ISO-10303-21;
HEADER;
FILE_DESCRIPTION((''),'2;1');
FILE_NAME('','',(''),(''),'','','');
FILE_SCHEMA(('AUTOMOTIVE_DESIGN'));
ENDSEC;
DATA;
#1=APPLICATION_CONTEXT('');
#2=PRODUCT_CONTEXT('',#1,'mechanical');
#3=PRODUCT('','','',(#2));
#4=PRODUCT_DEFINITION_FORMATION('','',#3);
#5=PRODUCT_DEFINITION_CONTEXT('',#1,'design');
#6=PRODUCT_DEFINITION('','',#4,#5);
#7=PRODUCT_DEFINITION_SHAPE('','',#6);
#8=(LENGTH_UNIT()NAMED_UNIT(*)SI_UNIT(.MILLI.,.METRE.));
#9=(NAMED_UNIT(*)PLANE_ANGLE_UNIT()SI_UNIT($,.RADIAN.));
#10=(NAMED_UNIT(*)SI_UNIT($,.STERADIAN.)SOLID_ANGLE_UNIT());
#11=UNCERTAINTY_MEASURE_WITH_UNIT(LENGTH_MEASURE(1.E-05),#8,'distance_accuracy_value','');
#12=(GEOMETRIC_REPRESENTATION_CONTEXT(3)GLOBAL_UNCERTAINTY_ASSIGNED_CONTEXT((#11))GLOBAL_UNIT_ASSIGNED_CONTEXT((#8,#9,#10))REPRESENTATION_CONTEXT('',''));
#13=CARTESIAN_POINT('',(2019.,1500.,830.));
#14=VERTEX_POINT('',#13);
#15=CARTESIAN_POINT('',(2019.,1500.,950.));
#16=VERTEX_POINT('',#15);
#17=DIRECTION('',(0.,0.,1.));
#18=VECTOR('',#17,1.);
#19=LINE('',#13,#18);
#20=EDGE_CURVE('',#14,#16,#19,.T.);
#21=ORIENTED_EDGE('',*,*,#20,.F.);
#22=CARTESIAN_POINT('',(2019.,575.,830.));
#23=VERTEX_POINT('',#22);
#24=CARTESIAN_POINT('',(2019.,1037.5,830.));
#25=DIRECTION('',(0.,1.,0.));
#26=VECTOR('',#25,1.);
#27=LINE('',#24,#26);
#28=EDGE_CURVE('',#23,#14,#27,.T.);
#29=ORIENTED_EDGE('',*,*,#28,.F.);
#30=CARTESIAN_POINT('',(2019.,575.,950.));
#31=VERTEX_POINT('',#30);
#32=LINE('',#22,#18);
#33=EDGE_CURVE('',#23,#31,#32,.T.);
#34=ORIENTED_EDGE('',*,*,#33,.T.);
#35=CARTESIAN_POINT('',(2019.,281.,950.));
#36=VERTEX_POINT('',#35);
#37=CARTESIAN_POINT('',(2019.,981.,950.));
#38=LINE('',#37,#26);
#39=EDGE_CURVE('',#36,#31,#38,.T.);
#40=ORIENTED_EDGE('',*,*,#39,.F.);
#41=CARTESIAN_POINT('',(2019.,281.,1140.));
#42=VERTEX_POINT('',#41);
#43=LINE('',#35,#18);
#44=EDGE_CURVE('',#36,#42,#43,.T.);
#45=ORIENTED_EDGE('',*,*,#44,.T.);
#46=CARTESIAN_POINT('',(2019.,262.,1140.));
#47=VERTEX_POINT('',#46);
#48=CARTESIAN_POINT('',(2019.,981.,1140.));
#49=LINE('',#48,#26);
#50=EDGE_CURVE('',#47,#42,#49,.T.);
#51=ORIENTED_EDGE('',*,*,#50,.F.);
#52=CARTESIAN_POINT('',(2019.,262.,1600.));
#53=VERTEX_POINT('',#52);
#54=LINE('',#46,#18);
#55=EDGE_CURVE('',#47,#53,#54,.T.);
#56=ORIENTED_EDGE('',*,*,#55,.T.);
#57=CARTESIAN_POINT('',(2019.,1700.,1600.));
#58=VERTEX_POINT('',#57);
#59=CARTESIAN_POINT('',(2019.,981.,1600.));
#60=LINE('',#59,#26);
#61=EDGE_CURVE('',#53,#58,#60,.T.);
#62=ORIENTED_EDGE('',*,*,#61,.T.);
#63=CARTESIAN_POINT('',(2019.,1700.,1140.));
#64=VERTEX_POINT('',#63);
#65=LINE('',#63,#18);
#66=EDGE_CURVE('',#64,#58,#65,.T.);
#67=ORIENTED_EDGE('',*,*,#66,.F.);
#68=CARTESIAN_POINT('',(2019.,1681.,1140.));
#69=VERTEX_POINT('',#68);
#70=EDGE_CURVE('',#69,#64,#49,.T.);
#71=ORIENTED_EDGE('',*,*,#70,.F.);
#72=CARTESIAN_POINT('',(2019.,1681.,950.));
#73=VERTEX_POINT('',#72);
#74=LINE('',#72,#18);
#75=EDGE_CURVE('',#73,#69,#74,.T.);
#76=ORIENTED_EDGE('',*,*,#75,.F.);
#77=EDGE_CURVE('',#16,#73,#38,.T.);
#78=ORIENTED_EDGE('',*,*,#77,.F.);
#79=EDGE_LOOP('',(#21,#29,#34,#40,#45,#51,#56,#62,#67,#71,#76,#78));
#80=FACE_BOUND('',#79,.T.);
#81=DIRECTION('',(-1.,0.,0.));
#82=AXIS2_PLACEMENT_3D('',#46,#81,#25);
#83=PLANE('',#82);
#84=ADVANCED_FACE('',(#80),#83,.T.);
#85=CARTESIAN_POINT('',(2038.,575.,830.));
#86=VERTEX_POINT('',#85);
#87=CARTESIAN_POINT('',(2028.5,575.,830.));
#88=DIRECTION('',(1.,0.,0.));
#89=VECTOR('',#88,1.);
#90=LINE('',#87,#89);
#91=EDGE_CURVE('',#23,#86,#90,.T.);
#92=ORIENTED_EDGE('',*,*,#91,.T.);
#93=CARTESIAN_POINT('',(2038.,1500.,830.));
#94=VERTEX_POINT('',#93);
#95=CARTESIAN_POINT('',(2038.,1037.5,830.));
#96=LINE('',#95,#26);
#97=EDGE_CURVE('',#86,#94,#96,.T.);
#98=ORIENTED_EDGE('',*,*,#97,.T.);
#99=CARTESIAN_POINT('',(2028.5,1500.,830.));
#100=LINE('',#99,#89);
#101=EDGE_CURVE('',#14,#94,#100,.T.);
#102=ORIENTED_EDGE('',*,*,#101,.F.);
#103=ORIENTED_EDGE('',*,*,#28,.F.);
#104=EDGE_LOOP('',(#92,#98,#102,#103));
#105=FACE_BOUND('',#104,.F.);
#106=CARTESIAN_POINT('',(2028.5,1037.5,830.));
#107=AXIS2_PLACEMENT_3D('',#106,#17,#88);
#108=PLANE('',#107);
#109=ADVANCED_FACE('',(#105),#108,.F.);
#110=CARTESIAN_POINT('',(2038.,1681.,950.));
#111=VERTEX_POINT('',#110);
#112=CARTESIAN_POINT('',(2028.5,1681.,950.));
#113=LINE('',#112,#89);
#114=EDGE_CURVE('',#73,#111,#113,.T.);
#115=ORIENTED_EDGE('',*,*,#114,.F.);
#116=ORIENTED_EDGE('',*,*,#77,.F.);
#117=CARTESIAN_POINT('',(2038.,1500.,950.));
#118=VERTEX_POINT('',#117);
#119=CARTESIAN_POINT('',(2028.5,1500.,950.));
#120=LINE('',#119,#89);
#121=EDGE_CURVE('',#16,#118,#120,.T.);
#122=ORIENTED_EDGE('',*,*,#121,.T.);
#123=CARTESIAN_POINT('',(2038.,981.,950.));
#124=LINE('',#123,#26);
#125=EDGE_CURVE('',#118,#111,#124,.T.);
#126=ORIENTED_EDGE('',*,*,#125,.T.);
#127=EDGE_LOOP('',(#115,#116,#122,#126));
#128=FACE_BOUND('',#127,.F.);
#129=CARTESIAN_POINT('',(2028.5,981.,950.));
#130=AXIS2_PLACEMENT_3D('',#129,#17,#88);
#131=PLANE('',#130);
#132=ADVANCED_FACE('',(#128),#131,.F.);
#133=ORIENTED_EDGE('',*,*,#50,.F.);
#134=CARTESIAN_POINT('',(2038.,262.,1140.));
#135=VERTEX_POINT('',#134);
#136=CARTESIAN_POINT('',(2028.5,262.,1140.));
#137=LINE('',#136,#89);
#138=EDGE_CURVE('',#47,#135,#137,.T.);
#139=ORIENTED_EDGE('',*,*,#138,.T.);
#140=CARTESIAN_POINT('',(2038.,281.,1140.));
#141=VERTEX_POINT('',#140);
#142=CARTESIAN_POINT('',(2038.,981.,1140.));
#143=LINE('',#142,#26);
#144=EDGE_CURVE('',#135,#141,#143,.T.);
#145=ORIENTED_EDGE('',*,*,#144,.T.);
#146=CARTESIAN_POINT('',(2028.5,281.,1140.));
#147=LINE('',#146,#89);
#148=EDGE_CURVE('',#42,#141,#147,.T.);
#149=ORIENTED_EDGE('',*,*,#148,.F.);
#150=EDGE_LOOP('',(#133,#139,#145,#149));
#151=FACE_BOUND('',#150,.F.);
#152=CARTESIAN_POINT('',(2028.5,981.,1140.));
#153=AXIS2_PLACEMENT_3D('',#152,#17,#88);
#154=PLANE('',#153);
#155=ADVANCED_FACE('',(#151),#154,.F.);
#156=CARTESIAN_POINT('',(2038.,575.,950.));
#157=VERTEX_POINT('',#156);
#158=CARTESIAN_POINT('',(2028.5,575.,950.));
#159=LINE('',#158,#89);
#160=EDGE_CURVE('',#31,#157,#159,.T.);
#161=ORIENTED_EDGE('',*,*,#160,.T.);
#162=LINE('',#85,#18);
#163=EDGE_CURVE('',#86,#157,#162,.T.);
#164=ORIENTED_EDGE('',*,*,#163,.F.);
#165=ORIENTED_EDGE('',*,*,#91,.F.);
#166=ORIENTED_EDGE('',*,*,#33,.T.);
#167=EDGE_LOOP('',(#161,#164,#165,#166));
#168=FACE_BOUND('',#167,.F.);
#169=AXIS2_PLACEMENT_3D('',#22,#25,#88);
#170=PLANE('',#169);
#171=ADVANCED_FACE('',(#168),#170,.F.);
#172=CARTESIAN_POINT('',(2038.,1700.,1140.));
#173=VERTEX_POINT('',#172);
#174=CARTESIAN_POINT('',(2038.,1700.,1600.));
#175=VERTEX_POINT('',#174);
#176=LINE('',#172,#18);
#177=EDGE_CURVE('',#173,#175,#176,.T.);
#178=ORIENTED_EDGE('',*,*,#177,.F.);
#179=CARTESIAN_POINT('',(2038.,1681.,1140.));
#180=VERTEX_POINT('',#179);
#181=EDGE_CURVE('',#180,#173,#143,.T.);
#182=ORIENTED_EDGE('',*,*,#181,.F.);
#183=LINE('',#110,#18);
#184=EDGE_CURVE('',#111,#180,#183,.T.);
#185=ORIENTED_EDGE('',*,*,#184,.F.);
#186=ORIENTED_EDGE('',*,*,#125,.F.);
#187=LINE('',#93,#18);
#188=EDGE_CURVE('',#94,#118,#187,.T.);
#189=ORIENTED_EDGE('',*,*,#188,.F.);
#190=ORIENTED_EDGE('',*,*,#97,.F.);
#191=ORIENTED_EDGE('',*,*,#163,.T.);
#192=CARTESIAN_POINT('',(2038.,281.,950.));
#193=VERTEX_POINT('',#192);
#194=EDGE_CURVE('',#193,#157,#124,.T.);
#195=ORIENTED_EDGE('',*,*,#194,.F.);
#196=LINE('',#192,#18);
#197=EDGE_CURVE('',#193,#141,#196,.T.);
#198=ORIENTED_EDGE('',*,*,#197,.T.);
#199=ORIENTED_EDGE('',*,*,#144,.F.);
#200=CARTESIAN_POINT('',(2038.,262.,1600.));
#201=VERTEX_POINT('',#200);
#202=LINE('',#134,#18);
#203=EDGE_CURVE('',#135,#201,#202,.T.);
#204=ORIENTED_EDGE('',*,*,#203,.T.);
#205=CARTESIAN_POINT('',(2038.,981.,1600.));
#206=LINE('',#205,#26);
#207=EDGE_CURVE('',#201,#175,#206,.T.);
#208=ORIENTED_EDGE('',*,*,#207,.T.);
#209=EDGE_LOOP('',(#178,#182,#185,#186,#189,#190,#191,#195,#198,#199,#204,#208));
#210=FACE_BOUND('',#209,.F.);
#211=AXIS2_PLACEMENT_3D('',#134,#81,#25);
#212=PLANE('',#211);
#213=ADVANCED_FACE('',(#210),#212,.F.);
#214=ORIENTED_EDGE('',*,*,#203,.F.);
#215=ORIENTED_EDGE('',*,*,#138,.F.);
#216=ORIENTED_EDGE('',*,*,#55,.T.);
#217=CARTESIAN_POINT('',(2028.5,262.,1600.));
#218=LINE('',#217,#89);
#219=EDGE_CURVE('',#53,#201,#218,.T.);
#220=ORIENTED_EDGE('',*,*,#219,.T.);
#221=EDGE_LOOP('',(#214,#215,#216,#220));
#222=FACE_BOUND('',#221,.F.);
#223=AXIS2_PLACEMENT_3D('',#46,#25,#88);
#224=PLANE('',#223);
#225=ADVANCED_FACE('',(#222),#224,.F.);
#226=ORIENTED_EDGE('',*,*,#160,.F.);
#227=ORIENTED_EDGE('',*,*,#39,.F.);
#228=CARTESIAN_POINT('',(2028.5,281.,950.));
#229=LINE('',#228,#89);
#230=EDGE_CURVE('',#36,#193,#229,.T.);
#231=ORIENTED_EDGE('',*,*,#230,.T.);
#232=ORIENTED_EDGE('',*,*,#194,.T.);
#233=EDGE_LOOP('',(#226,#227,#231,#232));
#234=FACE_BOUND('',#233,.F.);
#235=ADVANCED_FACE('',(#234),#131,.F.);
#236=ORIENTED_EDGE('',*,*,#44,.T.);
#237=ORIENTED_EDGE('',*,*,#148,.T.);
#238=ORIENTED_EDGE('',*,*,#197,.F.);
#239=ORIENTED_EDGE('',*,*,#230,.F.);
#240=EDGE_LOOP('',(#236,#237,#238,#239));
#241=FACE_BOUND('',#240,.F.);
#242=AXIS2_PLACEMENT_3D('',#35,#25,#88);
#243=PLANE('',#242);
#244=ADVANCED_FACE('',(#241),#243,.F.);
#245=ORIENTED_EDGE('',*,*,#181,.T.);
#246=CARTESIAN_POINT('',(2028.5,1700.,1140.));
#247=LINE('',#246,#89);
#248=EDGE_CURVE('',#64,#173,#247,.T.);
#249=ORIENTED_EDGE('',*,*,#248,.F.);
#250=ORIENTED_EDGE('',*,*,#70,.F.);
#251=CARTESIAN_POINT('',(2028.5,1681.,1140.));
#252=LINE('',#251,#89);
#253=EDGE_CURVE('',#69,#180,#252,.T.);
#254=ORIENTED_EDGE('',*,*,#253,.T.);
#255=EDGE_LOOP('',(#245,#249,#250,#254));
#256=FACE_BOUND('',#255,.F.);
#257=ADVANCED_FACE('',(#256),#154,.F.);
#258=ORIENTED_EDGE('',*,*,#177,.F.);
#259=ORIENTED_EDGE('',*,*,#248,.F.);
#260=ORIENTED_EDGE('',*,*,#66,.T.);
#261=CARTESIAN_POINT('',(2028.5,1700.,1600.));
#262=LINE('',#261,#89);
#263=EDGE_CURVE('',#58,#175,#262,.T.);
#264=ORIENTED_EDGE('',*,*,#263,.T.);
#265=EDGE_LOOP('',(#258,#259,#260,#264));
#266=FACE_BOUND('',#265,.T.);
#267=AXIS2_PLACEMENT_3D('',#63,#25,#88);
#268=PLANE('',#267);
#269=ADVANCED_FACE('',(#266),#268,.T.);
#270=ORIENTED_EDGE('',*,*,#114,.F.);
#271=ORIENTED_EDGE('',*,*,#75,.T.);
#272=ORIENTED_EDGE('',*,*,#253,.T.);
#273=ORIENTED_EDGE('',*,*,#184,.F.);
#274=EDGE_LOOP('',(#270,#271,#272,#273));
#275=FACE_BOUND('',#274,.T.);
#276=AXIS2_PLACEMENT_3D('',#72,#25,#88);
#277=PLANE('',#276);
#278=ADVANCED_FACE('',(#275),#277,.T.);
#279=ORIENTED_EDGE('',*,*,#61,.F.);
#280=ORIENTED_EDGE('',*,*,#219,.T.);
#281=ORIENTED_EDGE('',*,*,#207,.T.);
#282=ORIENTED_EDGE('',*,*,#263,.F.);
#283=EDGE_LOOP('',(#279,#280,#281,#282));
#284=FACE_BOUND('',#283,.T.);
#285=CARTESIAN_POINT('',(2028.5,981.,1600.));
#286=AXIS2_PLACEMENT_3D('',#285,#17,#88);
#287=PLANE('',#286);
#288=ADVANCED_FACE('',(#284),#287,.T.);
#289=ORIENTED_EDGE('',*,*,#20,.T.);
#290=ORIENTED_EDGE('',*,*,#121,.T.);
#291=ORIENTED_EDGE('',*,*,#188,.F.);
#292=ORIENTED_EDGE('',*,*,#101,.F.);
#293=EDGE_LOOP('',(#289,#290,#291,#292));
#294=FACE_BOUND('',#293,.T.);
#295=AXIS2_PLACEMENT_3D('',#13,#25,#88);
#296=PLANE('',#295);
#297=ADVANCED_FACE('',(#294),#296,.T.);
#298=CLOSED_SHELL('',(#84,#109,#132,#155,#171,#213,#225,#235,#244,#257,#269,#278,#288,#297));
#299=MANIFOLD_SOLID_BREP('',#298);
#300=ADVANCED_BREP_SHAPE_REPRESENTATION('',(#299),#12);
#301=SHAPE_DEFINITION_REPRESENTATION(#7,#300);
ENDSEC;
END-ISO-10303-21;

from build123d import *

# Parameters (mm, degrees)
BOX023_W     = 19
BOX023_H     = 1400
BOX023_DEPTH = 190
BOX024_W     = 19
BOX024_H     = 1438
BOX024_DEPTH = 460
BOX021_W     = 19
BOX021_H     = 925
BOX021_DEPTH = 120


with BuildPart() as cube023:
    # Box023 → Box023 (new body)
    with BuildSketch(Plane(origin=(2019, 281, 950), x_dir=(1, 0, 0), z_dir=(0, 0, 1))):
        with Locations((9.5, 700)):
            Rectangle(BOX023_W, BOX023_H)
    extrude(amount=BOX023_DEPTH)


with BuildPart() as cube024:
    # Box024 → Box024 (new body)
    with BuildSketch(Plane(origin=(2019, 262, 1140), x_dir=(1, 0, 0), z_dir=(0, 0, 1))):
        with Locations((9.5, 719)):
            Rectangle(BOX024_W, BOX024_H)
    extrude(amount=BOX024_DEPTH)


with BuildPart() as headboard:
    # Box021 → Box021 (new body)
    with BuildSketch(Plane(origin=(2019, 575, 830), x_dir=(1, 0, 0), z_dir=(0, 0, 1))):
        with Locations((9.5, 462.5)):
            Rectangle(BOX021_W, BOX021_H)
    extrude(amount=BOX021_DEPTH)

    # Fusion: union Cube023, Cube024
    add(cube023.part)
    add(cube024.part)


solid = headboard.part
